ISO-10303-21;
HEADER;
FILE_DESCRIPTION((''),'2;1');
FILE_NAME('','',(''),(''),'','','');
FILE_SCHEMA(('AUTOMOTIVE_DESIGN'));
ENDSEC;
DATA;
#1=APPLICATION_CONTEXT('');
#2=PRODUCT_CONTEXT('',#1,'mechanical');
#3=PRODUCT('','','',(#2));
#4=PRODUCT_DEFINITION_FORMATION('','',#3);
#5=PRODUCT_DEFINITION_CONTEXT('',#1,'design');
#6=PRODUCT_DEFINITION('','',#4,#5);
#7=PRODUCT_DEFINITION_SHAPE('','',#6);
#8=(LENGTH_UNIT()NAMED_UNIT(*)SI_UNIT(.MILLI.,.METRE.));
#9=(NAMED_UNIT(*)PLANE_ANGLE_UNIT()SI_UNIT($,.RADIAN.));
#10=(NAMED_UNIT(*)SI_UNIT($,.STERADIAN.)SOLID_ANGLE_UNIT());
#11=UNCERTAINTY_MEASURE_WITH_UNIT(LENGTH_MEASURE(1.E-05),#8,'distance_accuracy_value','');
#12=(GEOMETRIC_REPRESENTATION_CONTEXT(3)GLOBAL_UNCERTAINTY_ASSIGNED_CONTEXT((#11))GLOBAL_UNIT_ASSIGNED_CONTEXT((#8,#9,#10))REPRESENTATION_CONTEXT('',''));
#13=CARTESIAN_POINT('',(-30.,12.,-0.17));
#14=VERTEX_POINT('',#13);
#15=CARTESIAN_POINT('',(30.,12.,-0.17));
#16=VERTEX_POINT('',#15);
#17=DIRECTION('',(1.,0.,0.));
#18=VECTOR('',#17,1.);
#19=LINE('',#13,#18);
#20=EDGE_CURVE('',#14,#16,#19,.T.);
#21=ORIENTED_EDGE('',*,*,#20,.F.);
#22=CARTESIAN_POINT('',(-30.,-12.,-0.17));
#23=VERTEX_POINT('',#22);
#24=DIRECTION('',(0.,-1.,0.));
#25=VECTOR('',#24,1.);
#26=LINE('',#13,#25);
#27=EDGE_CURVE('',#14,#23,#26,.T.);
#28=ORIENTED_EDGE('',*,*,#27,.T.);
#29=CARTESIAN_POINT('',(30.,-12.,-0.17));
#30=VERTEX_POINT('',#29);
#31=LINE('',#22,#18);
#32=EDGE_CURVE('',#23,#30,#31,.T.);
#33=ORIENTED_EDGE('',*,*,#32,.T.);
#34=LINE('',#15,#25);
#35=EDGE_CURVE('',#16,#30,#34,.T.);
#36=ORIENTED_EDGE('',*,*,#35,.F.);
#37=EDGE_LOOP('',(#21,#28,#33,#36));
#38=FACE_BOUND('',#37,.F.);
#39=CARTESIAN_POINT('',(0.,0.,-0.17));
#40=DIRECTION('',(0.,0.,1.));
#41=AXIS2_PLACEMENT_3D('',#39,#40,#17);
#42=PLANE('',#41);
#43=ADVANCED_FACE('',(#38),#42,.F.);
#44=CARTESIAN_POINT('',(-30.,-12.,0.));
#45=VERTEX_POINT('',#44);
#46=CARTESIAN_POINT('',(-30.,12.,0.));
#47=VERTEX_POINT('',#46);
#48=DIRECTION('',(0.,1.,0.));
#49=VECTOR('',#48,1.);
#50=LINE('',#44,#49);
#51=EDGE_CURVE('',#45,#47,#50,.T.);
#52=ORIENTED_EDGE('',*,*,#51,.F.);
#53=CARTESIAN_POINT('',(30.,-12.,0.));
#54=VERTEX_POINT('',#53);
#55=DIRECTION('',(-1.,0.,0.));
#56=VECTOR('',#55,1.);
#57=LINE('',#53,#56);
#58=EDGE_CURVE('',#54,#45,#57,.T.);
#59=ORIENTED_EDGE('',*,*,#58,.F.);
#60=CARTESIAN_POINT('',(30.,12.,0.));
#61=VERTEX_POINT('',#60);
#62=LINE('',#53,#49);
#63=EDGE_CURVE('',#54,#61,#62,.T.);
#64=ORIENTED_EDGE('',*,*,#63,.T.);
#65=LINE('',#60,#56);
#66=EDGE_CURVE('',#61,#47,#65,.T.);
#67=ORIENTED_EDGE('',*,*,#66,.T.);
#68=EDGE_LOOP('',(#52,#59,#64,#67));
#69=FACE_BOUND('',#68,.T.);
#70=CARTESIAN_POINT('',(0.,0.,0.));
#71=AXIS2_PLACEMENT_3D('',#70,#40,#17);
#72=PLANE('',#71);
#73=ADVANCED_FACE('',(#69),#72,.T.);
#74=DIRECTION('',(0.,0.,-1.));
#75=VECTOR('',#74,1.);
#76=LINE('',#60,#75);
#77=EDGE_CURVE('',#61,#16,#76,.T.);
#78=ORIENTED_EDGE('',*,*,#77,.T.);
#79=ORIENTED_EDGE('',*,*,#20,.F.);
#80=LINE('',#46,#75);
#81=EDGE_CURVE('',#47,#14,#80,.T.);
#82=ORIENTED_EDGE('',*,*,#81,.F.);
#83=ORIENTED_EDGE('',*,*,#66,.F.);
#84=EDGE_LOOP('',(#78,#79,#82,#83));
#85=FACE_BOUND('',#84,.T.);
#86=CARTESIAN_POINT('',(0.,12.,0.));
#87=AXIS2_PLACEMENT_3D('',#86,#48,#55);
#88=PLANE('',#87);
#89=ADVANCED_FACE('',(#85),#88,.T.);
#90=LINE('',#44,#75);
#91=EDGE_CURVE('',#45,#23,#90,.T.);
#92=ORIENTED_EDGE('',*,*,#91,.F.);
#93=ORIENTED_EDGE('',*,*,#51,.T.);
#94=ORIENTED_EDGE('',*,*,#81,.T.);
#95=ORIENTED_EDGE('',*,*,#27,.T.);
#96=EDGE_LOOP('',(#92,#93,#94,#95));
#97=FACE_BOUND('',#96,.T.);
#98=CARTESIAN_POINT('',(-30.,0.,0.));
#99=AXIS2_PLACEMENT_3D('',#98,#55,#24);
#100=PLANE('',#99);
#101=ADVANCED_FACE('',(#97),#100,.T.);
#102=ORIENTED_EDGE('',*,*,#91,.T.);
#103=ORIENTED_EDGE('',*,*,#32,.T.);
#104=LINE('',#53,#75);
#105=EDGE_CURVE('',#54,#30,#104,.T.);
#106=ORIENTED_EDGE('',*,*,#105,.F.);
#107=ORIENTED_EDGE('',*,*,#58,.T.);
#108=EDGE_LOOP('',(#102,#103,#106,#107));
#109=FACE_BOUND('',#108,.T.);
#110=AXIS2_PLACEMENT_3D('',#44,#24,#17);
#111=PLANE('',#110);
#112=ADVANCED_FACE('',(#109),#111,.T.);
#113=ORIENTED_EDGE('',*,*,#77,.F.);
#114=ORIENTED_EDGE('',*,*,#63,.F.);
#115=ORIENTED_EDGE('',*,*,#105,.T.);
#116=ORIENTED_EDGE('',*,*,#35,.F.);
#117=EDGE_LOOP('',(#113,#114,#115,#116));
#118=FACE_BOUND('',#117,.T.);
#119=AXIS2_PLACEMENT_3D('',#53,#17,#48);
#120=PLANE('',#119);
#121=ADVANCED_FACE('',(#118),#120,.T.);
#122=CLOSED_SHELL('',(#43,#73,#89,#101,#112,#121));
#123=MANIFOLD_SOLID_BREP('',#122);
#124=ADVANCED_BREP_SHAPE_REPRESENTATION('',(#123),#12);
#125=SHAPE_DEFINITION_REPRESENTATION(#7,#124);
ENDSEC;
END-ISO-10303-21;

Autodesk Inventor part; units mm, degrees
ref_plane "YZ Plane" through (0, 0, 0) normal (1, 0, 0) x (0, 1, 0)
ref_plane "XZ Plane" through (0, 0, 0) normal (0, 1, 0) x (-1, 0, 0)
ref_plane "XY Plane" through (0, 0, 0) normal (0, 0, 1) x (1, 0, 0)
sketch "glass sketch" plane through (0, 0, 0) normal (0, 0, 1) x (1, 0, 0)
  line L0 (-30, -12) -> (30, -12)
  line L1 (30, -12) -> (30, 12)
  line L2 (30, 12) -> (-30, 12)
  line L3 (-30, 12) -> (-30, -12)
  line L4 (0, -16.8) -> (0, 16.8) projected
  line L5 (-42, 0) -> (42, 0) projected
  dimension "d0" = 60
  dimension "d1" = 24
extrude "glass" add sketch "glass sketch" against normal blind 0.17
equation "\"d0\" = glass_l"
equation "\"d1\" = glass_w"
equation "\"d2\" = glass_t"
equation "\"glass_l\" = 60"
equation "\"glass_w\" = 24"
equation "\"glass_t\" = 0.17"
properties part number "BUY - Cover glass - 24 x 60 x 0.17"
